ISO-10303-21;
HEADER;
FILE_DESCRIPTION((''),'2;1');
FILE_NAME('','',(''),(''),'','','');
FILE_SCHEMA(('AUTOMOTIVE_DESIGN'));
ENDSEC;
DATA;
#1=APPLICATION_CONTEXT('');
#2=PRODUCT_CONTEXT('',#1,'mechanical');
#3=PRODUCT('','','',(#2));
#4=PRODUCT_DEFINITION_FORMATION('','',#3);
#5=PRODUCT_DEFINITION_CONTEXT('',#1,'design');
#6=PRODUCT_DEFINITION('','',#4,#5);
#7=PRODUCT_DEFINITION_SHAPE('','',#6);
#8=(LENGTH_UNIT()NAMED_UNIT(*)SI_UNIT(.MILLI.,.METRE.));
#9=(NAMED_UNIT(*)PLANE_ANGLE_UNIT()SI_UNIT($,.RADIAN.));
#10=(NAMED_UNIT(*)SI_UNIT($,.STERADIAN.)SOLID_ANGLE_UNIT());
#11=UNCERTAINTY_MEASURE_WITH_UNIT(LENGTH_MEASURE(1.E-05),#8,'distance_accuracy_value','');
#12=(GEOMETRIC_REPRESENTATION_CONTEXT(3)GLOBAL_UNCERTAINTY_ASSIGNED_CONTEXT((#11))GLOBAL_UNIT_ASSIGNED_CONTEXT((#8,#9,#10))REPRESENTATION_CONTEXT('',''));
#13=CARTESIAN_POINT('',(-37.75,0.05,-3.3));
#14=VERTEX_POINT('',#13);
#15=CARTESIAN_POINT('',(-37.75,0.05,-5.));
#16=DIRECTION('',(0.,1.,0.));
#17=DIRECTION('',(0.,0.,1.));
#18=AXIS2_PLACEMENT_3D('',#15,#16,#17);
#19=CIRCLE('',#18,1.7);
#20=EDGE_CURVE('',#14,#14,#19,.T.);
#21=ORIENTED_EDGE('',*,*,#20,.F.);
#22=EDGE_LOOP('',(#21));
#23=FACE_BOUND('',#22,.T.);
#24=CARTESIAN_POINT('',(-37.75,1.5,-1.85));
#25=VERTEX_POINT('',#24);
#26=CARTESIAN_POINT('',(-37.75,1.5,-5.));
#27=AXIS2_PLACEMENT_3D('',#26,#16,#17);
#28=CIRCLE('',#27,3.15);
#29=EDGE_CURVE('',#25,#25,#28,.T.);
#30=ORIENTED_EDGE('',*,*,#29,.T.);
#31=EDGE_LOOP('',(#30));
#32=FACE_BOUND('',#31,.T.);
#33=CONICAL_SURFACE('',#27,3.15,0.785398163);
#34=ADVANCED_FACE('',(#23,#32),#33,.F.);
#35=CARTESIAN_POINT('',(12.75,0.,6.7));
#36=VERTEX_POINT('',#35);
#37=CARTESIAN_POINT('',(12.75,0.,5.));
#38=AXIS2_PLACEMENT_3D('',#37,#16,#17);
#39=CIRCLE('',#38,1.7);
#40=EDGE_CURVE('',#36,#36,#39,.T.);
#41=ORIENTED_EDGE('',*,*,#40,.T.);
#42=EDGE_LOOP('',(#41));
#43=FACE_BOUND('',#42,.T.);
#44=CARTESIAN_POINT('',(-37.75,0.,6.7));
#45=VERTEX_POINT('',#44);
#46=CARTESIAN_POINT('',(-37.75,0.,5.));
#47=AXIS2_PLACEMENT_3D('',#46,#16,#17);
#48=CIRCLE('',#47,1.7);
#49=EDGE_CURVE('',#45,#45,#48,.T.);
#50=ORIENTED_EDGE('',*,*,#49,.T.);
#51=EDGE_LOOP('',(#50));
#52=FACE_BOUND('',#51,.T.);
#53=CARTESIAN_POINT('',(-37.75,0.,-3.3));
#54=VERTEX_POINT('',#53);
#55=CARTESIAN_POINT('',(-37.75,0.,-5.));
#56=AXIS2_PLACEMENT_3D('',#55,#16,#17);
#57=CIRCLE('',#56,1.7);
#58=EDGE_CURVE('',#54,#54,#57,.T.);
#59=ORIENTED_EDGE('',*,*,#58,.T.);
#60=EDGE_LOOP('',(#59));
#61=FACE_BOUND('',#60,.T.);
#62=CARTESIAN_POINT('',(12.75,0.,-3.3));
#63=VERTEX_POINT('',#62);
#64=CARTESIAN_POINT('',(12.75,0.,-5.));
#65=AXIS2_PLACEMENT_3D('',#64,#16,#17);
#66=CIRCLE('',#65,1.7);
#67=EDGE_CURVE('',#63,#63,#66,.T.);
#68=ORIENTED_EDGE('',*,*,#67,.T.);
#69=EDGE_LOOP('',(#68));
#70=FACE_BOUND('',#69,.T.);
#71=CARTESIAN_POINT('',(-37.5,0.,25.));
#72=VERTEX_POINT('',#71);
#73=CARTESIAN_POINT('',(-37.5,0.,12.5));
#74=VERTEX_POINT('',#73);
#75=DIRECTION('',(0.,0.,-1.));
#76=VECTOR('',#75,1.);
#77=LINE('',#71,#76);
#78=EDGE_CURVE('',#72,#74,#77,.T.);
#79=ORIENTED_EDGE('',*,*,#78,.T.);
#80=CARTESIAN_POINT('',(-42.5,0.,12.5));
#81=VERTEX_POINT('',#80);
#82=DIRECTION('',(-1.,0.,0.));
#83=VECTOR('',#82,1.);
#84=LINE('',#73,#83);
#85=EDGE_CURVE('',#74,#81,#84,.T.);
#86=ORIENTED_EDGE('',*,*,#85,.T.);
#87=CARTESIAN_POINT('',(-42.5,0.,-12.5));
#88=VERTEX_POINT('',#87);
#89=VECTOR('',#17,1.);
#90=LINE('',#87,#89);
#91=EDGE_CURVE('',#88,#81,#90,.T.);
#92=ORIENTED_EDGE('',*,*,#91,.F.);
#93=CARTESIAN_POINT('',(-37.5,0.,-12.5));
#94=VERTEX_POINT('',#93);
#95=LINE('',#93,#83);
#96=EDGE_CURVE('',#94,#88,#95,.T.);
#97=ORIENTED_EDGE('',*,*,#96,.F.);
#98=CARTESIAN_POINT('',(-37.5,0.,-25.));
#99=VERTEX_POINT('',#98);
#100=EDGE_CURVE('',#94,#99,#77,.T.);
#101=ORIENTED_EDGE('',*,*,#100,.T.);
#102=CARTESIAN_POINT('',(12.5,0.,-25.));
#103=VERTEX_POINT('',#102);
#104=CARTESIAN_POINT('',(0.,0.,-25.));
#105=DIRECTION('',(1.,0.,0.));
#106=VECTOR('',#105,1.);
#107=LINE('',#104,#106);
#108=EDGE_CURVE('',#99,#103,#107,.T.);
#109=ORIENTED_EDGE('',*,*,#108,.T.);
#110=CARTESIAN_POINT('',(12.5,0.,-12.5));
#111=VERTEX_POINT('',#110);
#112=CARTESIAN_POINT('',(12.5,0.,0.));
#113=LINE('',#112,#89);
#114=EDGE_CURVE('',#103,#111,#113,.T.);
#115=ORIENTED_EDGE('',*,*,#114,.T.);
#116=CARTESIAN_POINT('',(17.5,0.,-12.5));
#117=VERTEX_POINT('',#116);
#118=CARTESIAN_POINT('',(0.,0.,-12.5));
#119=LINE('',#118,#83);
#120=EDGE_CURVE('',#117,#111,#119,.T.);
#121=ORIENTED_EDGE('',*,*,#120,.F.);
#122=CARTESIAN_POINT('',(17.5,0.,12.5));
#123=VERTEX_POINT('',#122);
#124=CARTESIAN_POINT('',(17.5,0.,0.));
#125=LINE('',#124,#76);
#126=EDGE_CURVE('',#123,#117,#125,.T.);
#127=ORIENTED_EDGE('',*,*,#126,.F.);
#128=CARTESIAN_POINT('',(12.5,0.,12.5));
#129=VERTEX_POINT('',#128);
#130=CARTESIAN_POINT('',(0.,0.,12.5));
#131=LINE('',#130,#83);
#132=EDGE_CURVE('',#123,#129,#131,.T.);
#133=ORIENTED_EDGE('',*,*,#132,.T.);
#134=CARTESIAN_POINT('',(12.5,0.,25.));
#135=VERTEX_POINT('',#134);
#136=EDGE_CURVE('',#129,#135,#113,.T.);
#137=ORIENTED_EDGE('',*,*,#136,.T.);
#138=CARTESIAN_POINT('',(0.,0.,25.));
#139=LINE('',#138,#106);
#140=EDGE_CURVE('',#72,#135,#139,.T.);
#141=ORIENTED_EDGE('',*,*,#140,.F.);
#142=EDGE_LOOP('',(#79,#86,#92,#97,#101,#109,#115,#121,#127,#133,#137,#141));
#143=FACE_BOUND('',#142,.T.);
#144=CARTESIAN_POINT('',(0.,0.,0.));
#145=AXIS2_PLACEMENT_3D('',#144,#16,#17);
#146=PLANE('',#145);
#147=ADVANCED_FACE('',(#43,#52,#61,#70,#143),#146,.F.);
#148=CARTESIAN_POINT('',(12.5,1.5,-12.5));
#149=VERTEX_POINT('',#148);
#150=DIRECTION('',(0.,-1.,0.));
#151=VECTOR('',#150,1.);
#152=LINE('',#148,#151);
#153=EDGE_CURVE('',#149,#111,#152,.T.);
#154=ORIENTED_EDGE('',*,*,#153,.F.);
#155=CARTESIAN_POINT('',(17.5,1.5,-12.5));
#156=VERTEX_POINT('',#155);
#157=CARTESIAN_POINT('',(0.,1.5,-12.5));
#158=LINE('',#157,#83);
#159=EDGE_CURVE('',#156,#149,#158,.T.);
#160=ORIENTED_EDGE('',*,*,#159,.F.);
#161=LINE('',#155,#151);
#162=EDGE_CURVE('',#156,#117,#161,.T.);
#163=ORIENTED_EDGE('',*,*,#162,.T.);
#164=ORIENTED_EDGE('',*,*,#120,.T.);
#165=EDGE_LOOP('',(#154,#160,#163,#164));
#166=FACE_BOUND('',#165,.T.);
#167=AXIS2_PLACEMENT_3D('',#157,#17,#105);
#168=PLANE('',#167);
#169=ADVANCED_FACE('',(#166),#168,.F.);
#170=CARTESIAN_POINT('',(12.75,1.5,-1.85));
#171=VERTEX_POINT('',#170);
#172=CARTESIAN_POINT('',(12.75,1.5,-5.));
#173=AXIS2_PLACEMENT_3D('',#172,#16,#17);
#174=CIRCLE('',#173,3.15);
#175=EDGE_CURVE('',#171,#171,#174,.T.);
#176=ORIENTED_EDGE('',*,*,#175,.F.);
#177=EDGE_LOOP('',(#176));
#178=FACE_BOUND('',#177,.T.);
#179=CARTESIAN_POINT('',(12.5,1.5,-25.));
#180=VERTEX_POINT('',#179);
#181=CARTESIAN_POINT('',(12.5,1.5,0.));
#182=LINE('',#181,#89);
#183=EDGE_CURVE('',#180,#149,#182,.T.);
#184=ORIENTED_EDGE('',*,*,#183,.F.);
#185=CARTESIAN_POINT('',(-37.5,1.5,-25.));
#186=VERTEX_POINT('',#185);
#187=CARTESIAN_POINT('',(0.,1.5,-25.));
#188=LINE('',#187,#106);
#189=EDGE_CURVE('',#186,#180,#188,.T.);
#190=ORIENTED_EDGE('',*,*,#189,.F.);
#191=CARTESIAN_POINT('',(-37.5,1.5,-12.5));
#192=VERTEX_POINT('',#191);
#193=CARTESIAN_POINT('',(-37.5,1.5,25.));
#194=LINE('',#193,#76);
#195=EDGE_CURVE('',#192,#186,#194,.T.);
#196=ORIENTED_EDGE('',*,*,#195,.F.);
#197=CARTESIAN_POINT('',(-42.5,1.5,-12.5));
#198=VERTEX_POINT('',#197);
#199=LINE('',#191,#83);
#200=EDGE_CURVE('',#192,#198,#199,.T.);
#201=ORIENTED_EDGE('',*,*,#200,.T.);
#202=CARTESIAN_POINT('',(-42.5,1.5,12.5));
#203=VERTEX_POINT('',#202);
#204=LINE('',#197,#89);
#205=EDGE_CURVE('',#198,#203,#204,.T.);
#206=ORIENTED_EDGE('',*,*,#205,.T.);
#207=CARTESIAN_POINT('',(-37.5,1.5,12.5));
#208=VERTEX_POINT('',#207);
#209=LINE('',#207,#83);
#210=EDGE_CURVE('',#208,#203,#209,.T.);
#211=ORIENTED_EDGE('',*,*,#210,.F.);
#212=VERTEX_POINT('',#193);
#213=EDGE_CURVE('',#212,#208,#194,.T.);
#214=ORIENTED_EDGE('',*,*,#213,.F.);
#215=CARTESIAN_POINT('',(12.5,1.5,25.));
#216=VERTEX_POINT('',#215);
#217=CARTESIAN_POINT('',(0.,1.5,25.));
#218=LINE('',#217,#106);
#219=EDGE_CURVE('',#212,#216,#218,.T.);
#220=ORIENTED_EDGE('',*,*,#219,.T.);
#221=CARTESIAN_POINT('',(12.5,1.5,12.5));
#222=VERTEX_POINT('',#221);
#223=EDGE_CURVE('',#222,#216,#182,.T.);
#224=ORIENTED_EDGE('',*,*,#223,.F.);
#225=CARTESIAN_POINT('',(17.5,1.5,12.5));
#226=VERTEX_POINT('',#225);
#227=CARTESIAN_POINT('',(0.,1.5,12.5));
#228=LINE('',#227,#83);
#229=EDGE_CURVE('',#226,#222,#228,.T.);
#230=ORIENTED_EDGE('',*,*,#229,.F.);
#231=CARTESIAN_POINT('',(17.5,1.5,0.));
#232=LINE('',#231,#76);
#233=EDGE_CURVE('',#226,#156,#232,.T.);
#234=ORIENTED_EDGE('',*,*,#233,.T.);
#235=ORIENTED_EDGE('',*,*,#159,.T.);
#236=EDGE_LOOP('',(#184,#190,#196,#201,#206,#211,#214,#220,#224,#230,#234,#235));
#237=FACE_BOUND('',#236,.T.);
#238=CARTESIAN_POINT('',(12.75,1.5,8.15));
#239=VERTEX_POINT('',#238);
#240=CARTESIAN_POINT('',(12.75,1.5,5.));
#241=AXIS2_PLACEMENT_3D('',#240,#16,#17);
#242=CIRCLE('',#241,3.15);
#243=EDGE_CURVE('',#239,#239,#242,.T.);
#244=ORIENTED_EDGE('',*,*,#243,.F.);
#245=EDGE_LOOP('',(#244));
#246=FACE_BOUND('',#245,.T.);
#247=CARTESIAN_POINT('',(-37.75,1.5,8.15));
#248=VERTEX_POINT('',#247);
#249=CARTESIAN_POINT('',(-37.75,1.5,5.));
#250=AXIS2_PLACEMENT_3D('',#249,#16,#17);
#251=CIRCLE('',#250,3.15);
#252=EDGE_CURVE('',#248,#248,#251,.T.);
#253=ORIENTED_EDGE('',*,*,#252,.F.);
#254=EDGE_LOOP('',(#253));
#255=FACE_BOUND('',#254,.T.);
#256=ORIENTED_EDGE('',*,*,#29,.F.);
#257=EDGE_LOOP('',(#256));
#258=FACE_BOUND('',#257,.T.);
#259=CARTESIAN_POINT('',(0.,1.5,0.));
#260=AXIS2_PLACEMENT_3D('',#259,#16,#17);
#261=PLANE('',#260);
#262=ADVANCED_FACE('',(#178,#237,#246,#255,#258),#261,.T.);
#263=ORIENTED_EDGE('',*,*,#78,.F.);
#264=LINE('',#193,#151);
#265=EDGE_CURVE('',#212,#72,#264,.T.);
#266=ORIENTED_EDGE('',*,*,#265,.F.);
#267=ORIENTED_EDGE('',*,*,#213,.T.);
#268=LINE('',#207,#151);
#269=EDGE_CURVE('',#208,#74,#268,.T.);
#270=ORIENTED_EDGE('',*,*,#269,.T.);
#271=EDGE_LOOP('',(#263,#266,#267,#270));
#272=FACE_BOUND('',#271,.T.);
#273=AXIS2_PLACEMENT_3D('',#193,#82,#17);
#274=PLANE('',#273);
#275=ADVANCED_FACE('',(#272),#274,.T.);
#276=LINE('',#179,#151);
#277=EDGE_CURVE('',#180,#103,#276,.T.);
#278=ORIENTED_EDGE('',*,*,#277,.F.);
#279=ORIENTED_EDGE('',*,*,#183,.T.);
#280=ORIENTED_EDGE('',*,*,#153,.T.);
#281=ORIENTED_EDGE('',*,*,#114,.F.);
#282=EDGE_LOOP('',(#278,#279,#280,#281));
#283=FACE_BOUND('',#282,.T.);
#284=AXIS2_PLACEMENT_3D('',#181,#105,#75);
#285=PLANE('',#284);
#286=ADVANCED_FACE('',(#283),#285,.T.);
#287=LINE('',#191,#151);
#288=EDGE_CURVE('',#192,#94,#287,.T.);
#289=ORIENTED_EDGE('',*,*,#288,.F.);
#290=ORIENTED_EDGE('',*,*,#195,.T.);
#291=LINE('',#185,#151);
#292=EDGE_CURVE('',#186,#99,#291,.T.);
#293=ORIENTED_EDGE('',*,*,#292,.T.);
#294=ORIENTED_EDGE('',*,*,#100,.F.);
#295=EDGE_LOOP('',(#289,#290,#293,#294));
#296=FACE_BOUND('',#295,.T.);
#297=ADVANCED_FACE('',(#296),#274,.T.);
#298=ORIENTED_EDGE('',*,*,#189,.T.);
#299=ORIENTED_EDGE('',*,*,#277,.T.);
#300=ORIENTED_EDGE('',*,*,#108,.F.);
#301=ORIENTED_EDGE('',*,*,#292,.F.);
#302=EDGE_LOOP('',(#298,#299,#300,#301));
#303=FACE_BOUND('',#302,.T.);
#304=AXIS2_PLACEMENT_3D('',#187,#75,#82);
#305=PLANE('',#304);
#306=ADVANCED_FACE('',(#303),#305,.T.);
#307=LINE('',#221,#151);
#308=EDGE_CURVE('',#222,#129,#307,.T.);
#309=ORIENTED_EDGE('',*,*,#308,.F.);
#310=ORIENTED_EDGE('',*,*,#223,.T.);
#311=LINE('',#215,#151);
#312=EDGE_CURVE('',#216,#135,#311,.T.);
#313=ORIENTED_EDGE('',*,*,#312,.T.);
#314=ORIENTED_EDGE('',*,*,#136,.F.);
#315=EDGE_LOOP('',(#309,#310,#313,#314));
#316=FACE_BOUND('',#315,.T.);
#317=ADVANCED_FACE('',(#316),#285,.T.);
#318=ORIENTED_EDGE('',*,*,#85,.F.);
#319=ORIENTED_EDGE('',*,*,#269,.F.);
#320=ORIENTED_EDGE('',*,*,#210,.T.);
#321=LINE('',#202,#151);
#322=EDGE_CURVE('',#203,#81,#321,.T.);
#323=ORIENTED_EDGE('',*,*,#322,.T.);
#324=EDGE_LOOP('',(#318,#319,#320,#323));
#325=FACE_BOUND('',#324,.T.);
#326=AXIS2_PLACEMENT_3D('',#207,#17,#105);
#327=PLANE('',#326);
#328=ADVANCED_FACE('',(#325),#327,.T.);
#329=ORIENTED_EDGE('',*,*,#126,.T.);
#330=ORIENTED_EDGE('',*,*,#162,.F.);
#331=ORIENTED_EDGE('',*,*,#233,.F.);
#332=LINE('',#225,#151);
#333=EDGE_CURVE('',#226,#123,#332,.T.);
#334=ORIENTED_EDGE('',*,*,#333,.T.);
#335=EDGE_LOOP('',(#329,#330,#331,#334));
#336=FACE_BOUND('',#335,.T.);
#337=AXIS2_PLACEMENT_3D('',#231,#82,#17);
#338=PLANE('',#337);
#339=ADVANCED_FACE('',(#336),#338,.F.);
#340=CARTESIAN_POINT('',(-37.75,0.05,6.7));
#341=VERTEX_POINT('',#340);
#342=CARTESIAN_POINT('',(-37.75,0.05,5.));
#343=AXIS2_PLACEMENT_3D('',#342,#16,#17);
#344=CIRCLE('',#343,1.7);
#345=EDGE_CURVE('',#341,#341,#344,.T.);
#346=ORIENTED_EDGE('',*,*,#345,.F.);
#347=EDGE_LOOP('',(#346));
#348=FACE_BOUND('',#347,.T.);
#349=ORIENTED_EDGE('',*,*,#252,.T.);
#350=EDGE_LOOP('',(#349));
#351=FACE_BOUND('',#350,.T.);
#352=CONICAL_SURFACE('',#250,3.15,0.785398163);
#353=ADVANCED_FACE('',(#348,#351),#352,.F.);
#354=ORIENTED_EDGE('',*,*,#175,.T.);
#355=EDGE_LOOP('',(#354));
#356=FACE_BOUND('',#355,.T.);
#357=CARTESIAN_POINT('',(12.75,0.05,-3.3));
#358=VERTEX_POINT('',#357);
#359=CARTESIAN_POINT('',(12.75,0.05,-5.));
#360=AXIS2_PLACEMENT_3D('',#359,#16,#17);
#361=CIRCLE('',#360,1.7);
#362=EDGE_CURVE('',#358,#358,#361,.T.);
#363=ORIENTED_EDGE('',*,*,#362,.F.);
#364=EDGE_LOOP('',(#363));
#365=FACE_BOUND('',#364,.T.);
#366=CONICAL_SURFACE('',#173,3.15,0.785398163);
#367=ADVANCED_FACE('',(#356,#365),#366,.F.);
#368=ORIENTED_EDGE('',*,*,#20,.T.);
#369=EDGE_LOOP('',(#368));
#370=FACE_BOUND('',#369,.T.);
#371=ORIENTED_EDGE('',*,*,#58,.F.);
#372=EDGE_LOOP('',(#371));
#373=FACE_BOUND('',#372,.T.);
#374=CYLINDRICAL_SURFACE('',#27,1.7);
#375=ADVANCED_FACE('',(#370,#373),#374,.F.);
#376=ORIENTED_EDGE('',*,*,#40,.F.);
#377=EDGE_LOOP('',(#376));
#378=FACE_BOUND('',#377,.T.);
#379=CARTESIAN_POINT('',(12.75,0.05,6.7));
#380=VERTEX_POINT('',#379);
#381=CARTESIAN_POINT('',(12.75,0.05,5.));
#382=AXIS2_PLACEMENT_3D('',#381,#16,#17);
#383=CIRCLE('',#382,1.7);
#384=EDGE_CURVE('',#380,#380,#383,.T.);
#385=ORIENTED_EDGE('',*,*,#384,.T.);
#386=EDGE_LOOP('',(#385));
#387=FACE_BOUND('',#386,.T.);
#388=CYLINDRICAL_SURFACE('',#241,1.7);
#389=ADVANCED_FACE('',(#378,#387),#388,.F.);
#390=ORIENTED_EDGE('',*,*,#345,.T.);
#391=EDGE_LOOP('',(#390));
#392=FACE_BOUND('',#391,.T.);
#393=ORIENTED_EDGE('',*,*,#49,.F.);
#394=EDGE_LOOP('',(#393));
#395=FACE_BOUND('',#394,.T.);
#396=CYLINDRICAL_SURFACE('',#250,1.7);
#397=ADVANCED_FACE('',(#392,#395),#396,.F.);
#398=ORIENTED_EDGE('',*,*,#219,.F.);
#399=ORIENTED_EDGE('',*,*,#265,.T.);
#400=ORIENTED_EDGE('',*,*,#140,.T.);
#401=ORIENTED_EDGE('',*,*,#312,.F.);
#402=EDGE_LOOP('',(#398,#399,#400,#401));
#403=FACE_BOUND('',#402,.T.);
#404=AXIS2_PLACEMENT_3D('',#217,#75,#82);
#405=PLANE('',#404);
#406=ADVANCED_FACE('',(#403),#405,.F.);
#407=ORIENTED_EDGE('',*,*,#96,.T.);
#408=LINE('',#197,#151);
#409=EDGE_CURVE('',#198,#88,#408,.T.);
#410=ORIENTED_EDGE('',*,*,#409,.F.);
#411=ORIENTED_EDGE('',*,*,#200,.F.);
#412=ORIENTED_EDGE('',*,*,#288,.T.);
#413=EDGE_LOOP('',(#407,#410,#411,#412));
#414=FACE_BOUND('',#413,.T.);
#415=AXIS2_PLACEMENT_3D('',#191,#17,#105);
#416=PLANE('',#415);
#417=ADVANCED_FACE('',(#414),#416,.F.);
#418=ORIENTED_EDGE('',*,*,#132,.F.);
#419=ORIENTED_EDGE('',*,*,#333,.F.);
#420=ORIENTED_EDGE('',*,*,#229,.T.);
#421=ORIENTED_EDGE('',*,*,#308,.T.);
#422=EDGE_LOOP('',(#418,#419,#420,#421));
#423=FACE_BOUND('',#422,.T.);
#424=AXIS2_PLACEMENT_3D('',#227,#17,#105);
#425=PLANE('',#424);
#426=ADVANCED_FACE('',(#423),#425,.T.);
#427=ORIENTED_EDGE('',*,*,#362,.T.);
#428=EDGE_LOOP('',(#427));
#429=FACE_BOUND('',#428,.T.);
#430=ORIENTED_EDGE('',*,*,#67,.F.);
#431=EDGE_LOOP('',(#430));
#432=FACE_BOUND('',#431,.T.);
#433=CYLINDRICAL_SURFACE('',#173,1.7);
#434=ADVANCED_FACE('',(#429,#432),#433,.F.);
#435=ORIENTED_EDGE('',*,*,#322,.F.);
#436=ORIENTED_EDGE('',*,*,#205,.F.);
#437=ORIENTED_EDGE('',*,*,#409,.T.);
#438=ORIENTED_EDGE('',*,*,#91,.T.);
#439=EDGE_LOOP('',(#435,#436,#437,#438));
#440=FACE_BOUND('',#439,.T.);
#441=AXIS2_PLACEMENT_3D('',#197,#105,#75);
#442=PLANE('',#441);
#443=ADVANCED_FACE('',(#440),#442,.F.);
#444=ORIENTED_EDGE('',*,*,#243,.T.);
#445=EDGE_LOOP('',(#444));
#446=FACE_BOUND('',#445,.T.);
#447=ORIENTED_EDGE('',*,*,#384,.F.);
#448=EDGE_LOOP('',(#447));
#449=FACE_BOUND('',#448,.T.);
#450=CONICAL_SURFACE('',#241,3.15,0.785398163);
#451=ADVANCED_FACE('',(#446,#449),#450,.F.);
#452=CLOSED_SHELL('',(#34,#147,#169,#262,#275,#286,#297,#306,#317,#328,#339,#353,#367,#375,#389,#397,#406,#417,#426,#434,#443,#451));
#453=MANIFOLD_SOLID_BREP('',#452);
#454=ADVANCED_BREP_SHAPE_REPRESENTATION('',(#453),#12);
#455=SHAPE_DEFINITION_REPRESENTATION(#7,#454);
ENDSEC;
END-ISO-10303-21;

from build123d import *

# Parameters (mm, degrees)
SKETCH1_W                                    = 5
SKETCH1_H                                    = 25
SKETCH1_W_2                                  = 25
SKETCH1_H_2                                  = 50
BOSS_EXTRUDE1_DEPTH                          = 1.5
CSK_FOR_M3_COUNTERSUNK_FLAT_HEAD_SCR_2_COUNT = 2
CSK_FOR_M3_COUNTERSUNK_FLAT_HEAD_SCR_2_PITCH = 10
CSK_FOR_M3_COUNTERSUNK_FLAT_HEAD_SCR_3_COUNT = 2
CSK_FOR_M3_COUNTERSUNK_FLAT_HEAD_SCR_3_PITCH = 51.480578862
CSK_FOR_M3_COUNTERSUNK_FLAT_HEAD_SCR_4_COUNT = 2
CSK_FOR_M3_COUNTERSUNK_FLAT_HEAD_SCR_4_PITCH = 50.5


with BuildPart() as part:
    # Sketch1 → Boss-Extrude1 (new body)
    with BuildSketch(Plane(origin=(0, 0, 0), x_dir=(1, 0, 0), z_dir=(0, 1, 0))):
        Polygon((12.5, 25), (-12.5, 25), (-12.5, -25), (12.5, -25), (12.5, -12.5), (12.5, 12.5), align=None)
        with Locations((15, 0)):
            Rectangle(SKETCH1_W, SKETCH1_H)
        with Locations((-25, 0)):
            Rectangle(SKETCH1_W_2, SKETCH1_H_2)
        with Locations((-40, 0)):
            Rectangle(SKETCH1_W, SKETCH1_H)
    extrude(amount=BOSS_EXTRUDE1_DEPTH)

    # Sketch3 → CSK for M3 Countersunk Flat Head Screw1 (revolve, cut)
    with BuildSketch(Plane(origin=(12.75, 1.5, 5), x_dir=(0, 0, 1), z_dir=(1, 0, 0))):
        Polygon((0, 0), (0, 1.5), (1.7, 1.5), (1.7, 1.45), (3.15, 0), align=None)
    csk_for_m3_countersunk_flat_head_screw1 = revolve(axis=Axis((12.75, 7.85, 5), (0, -1, 0)), mode=Mode.SUBTRACT)

    # CSK for M3 Countersunk Flat Head Scr 2: CSK for M3 Countersunk Flat Head Screw1 ×2
    with Locations(*[(0, 0, -i * CSK_FOR_M3_COUNTERSUNK_FLAT_HEAD_SCR_2_PITCH) for i in range(1, CSK_FOR_M3_COUNTERSUNK_FLAT_HEAD_SCR_2_COUNT)]):
        add(csk_for_m3_countersunk_flat_head_screw1, mode=Mode.SUBTRACT)

    # CSK for M3 Countersunk Flat Head Scr 3: CSK for M3 Countersunk Flat Head Screw1 ×2
    with Locations(*[Vector(-0.9809524507300751, 0, -0.19424801004555947) * (i * CSK_FOR_M3_COUNTERSUNK_FLAT_HEAD_SCR_3_PITCH) for i in range(1, CSK_FOR_M3_COUNTERSUNK_FLAT_HEAD_SCR_3_COUNT)]):
        add(csk_for_m3_countersunk_flat_head_screw1, mode=Mode.SUBTRACT)

    # CSK for M3 Countersunk Flat Head Scr 4: CSK for M3 Countersunk Flat Head Screw1 ×2
    with Locations(*[(-i * CSK_FOR_M3_COUNTERSUNK_FLAT_HEAD_SCR_4_PITCH, 0, 0) for i in range(1, CSK_FOR_M3_COUNTERSUNK_FLAT_HEAD_SCR_4_COUNT)]):
        add(csk_for_m3_countersunk_flat_head_screw1, mode=Mode.SUBTRACT)


solid = part.part
